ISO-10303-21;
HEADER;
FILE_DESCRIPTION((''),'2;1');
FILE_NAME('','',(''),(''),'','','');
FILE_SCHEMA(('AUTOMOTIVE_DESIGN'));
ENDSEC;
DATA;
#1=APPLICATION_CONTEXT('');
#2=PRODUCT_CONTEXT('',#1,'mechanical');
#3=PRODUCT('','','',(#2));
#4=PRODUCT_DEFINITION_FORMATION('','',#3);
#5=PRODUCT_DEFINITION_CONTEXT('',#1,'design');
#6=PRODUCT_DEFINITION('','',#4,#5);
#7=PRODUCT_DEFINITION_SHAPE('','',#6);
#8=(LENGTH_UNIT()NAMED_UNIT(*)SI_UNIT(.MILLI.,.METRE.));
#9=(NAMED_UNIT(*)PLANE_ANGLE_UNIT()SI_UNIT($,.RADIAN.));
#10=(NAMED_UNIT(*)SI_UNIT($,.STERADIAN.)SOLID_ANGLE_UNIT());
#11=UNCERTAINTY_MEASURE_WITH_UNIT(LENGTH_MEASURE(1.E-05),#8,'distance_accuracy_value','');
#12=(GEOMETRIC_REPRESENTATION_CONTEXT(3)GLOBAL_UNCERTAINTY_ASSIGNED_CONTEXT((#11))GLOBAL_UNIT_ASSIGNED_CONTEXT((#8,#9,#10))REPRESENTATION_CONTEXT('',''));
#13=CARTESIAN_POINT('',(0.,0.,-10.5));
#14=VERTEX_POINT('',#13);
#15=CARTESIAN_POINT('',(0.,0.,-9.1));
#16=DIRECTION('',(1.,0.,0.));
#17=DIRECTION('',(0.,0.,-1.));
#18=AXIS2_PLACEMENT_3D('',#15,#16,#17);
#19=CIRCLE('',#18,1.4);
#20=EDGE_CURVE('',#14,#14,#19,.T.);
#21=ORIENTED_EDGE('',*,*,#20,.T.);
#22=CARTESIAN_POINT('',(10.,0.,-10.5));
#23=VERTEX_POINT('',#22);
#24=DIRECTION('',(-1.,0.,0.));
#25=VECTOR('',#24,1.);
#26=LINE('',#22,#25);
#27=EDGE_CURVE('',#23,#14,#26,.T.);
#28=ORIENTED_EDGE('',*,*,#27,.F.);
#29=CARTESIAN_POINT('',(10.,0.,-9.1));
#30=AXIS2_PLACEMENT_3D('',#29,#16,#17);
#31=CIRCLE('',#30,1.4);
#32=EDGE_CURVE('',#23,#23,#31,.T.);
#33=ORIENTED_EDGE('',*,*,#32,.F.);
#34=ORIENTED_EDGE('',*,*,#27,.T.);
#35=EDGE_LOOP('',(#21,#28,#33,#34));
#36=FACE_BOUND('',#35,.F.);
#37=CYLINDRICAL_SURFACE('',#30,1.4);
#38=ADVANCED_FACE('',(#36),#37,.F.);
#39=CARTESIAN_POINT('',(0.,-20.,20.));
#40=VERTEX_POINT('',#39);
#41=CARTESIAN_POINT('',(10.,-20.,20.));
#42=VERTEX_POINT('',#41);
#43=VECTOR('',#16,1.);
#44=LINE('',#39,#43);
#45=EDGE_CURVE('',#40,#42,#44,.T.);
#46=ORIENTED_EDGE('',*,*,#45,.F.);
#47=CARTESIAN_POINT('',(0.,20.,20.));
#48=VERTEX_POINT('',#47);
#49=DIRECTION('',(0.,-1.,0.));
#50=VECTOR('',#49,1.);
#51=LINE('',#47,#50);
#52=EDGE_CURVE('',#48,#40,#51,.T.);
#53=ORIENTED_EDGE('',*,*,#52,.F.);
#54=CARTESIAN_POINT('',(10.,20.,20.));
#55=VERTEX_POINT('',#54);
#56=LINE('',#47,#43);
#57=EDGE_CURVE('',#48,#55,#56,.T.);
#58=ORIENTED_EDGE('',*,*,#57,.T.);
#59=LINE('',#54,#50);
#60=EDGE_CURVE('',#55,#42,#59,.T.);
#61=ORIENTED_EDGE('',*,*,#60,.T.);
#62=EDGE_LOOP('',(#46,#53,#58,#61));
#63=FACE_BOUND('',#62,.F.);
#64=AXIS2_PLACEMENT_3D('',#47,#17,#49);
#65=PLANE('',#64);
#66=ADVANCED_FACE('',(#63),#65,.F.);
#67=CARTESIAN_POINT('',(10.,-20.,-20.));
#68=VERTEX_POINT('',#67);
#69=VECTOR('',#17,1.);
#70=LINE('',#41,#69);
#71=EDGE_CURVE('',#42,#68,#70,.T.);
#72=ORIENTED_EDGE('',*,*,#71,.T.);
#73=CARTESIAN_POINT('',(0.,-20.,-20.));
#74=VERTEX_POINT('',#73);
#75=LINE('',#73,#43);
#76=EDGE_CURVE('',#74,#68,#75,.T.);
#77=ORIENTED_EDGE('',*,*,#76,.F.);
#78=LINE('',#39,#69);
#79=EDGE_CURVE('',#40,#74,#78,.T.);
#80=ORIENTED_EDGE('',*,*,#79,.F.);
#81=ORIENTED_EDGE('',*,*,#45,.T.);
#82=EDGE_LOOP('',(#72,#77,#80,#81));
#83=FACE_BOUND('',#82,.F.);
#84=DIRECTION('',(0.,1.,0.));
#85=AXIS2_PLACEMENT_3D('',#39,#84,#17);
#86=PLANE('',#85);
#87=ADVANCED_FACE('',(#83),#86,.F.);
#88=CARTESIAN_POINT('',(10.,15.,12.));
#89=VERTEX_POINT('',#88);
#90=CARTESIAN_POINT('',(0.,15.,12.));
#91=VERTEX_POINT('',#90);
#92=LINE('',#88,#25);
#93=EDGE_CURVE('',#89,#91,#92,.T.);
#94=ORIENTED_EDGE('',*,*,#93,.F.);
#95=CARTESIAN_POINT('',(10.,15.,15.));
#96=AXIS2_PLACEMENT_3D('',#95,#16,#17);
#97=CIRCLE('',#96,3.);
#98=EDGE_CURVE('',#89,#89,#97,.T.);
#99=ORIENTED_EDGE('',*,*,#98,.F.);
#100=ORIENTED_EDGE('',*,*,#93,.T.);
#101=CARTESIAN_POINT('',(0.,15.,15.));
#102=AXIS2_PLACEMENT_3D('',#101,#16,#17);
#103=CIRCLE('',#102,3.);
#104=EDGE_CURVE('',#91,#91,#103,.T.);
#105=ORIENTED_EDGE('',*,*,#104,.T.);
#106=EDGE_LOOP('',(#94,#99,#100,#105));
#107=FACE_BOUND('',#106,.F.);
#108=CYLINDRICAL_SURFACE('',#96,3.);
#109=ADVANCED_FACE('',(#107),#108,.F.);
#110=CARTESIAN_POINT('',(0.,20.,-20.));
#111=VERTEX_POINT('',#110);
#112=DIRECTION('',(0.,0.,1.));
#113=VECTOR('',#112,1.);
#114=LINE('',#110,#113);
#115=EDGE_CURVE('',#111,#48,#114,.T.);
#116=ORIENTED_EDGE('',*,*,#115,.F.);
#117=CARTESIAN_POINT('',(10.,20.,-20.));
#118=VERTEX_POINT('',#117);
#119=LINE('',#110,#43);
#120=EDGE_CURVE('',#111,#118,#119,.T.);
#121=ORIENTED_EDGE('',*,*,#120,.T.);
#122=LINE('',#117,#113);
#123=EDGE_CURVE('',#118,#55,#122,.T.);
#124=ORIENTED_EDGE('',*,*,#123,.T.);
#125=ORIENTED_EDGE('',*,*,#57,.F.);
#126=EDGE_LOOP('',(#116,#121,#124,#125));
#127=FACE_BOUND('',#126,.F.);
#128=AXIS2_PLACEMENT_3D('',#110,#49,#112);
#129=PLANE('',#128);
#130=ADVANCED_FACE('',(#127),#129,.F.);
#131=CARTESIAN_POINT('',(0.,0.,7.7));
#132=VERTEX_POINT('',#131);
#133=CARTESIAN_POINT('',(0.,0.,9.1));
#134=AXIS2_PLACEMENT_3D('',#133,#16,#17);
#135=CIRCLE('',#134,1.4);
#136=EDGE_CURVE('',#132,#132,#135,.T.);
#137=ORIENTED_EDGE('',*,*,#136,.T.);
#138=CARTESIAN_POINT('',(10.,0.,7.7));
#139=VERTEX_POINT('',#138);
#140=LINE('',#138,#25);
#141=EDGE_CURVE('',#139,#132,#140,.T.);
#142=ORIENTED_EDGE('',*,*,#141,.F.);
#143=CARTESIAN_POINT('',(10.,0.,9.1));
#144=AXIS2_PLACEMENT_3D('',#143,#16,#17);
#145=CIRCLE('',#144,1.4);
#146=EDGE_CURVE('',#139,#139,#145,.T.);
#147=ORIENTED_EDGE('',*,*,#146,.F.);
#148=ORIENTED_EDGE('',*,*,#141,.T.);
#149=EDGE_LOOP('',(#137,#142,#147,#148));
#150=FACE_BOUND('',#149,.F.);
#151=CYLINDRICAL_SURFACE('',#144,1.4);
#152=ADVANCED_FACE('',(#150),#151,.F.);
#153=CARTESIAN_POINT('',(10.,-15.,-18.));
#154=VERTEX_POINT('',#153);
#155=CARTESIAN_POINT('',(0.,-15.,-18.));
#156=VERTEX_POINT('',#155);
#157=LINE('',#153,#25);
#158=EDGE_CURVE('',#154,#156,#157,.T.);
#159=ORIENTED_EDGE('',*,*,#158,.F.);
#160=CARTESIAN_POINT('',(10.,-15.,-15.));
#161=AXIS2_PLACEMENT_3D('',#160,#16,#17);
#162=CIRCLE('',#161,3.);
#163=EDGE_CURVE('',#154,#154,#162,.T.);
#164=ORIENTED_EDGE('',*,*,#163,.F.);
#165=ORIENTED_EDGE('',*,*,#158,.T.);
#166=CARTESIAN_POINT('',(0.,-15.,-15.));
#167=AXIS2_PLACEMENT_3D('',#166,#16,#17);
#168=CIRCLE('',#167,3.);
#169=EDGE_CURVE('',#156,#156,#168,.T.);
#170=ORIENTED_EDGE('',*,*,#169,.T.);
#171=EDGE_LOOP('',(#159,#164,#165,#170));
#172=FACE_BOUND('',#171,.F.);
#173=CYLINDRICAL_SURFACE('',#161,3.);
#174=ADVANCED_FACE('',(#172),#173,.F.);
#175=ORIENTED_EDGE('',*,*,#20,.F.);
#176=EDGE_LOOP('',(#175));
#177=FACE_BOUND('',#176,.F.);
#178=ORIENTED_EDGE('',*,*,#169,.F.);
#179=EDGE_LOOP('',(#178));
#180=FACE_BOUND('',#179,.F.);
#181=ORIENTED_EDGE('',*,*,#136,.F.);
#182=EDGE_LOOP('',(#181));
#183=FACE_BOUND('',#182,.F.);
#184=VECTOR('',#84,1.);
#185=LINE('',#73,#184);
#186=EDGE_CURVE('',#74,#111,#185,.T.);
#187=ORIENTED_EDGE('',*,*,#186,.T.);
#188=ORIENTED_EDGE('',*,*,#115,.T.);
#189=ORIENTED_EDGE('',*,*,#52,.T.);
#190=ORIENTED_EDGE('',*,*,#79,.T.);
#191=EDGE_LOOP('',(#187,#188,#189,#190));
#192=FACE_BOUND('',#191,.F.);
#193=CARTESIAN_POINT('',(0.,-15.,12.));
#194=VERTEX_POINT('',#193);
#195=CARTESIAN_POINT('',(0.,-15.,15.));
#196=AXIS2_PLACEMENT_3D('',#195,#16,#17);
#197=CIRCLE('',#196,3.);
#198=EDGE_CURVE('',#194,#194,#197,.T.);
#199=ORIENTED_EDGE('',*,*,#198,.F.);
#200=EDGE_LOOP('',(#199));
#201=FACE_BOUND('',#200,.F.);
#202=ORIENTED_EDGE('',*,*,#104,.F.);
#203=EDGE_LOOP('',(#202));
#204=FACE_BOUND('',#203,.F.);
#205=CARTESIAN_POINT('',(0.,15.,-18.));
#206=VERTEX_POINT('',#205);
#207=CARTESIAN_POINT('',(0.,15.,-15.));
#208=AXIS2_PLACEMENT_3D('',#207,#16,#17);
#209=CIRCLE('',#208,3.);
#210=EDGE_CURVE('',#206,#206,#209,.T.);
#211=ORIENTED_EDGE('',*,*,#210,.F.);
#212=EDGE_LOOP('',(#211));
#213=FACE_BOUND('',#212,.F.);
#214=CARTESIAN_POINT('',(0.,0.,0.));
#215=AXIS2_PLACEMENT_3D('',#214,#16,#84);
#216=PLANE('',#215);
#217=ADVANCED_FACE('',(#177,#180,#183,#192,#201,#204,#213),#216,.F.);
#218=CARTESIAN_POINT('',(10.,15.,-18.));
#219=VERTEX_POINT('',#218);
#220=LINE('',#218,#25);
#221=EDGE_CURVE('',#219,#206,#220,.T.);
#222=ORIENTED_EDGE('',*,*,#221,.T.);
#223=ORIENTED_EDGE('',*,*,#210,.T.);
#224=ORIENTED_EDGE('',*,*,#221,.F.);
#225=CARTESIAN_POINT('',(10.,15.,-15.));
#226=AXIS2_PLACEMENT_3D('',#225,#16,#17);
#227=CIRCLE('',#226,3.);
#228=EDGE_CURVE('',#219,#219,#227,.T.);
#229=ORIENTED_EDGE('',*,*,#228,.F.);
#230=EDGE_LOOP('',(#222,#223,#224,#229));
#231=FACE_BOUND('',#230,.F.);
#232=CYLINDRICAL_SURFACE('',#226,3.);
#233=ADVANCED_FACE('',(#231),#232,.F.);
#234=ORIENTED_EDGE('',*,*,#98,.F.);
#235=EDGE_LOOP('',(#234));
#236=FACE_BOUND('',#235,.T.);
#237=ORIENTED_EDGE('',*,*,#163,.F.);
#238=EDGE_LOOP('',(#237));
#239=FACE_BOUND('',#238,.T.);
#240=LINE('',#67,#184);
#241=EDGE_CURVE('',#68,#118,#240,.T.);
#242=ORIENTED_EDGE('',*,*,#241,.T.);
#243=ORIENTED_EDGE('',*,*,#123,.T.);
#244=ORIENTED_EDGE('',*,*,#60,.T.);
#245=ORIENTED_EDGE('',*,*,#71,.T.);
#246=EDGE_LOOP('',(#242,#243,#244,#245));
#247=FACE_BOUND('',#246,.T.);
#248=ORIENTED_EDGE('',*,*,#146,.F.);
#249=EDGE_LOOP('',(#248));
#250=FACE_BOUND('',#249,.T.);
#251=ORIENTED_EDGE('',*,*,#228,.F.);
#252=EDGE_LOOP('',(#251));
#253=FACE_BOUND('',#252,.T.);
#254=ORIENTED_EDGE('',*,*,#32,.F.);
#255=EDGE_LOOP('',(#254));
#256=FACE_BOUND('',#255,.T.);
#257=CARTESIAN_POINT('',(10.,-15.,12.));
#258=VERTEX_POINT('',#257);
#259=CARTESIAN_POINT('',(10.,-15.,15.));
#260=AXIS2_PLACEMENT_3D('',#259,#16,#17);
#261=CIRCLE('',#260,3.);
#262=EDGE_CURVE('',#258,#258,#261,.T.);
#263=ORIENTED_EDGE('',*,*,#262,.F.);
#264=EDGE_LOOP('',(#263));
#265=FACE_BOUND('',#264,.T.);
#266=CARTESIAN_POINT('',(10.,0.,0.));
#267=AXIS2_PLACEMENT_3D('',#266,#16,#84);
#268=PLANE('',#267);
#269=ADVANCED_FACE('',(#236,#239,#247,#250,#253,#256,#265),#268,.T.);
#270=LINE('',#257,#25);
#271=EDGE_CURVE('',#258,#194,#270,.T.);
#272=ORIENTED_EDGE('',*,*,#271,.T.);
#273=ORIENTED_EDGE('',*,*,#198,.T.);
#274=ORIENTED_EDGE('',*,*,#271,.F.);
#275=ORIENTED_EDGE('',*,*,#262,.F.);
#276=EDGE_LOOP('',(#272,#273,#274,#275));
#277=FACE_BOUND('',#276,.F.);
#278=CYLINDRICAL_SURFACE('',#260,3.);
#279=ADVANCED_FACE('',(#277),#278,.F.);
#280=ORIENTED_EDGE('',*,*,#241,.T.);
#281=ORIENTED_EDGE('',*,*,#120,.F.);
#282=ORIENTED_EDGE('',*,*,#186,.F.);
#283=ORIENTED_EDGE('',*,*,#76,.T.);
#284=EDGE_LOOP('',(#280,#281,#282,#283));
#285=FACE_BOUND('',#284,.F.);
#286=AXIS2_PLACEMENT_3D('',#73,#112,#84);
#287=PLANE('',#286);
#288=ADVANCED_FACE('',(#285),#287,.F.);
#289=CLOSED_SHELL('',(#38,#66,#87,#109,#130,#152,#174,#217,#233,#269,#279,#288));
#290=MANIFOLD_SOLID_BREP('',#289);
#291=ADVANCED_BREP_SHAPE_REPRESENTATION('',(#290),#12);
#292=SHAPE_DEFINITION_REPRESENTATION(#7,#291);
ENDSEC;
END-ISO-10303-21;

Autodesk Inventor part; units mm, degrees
ref_plane "YZ Plane" through (0, 0, 0) normal (1, 0, 0) x (0, 1, 0)
ref_plane "XZ Plane" through (0, 0, 0) normal (0, 1, 0) x (-1, 0, 0)
ref_plane "XY Plane" through (0, 0, 0) normal (0, 0, 1) x (1, 0, 0)
sketch "Skizze1" plane through (0, 0, 0) normal (1, 0, 0) x (0, 1, 0)
  line L0 (20, 20) -> (-20, 20)
  line L1 (-20, 20) -> (-20, -20)
  line L2 (-20, -20) -> (20, -20)
  line L3 (20, -20) -> (20, 20)
  point P0 (0, 0)
  dimension "d0" = 40
  dimension "d1" = 40
  dimension "d2" = 20
  dimension "d3" = 20
extrude "Extrusion1" add sketch "Skizze1" along normal blind 10
sketch "Skizze2" plane through (10, 0, 0) normal (1, 0, 0) x (0, 0, -1)
  circle A0 centre (-15, 15) radius 3
  circle A1 centre (-15, -15) radius 3
  circle A2 centre (15, -15) radius 3
  circle A3 centre (15, 15) radius 3
  point P0 (0, 0)
  point P1 (0, 0)
  dimension "d7" = 6
  dimension "d8" = 15
  dimension "d9" = 15
  dimension "d14" = 360
extrude "Extrusion2" cut sketch "Skizze2" against normal through all
sketch "Skizze3" plane through (10, 0, 0) normal (1, 0, 0) x (0, 0, -1)
  circle A0 centre (-9.1, 0) radius 1.4
  line L0 (0, 22.3983) -> (0, -21.9034) construction
  circle A1 centre (9.1, 0) radius 1.4
  point P0 (0, 0)
  dimension "d16" = 2.8
  dimension "d17" = 9.1
extrude "Extrusion3" cut sketch "Skizze3" against normal through all
properties part number "AdapterplatteGong_2025-03-27v00r00grm"
